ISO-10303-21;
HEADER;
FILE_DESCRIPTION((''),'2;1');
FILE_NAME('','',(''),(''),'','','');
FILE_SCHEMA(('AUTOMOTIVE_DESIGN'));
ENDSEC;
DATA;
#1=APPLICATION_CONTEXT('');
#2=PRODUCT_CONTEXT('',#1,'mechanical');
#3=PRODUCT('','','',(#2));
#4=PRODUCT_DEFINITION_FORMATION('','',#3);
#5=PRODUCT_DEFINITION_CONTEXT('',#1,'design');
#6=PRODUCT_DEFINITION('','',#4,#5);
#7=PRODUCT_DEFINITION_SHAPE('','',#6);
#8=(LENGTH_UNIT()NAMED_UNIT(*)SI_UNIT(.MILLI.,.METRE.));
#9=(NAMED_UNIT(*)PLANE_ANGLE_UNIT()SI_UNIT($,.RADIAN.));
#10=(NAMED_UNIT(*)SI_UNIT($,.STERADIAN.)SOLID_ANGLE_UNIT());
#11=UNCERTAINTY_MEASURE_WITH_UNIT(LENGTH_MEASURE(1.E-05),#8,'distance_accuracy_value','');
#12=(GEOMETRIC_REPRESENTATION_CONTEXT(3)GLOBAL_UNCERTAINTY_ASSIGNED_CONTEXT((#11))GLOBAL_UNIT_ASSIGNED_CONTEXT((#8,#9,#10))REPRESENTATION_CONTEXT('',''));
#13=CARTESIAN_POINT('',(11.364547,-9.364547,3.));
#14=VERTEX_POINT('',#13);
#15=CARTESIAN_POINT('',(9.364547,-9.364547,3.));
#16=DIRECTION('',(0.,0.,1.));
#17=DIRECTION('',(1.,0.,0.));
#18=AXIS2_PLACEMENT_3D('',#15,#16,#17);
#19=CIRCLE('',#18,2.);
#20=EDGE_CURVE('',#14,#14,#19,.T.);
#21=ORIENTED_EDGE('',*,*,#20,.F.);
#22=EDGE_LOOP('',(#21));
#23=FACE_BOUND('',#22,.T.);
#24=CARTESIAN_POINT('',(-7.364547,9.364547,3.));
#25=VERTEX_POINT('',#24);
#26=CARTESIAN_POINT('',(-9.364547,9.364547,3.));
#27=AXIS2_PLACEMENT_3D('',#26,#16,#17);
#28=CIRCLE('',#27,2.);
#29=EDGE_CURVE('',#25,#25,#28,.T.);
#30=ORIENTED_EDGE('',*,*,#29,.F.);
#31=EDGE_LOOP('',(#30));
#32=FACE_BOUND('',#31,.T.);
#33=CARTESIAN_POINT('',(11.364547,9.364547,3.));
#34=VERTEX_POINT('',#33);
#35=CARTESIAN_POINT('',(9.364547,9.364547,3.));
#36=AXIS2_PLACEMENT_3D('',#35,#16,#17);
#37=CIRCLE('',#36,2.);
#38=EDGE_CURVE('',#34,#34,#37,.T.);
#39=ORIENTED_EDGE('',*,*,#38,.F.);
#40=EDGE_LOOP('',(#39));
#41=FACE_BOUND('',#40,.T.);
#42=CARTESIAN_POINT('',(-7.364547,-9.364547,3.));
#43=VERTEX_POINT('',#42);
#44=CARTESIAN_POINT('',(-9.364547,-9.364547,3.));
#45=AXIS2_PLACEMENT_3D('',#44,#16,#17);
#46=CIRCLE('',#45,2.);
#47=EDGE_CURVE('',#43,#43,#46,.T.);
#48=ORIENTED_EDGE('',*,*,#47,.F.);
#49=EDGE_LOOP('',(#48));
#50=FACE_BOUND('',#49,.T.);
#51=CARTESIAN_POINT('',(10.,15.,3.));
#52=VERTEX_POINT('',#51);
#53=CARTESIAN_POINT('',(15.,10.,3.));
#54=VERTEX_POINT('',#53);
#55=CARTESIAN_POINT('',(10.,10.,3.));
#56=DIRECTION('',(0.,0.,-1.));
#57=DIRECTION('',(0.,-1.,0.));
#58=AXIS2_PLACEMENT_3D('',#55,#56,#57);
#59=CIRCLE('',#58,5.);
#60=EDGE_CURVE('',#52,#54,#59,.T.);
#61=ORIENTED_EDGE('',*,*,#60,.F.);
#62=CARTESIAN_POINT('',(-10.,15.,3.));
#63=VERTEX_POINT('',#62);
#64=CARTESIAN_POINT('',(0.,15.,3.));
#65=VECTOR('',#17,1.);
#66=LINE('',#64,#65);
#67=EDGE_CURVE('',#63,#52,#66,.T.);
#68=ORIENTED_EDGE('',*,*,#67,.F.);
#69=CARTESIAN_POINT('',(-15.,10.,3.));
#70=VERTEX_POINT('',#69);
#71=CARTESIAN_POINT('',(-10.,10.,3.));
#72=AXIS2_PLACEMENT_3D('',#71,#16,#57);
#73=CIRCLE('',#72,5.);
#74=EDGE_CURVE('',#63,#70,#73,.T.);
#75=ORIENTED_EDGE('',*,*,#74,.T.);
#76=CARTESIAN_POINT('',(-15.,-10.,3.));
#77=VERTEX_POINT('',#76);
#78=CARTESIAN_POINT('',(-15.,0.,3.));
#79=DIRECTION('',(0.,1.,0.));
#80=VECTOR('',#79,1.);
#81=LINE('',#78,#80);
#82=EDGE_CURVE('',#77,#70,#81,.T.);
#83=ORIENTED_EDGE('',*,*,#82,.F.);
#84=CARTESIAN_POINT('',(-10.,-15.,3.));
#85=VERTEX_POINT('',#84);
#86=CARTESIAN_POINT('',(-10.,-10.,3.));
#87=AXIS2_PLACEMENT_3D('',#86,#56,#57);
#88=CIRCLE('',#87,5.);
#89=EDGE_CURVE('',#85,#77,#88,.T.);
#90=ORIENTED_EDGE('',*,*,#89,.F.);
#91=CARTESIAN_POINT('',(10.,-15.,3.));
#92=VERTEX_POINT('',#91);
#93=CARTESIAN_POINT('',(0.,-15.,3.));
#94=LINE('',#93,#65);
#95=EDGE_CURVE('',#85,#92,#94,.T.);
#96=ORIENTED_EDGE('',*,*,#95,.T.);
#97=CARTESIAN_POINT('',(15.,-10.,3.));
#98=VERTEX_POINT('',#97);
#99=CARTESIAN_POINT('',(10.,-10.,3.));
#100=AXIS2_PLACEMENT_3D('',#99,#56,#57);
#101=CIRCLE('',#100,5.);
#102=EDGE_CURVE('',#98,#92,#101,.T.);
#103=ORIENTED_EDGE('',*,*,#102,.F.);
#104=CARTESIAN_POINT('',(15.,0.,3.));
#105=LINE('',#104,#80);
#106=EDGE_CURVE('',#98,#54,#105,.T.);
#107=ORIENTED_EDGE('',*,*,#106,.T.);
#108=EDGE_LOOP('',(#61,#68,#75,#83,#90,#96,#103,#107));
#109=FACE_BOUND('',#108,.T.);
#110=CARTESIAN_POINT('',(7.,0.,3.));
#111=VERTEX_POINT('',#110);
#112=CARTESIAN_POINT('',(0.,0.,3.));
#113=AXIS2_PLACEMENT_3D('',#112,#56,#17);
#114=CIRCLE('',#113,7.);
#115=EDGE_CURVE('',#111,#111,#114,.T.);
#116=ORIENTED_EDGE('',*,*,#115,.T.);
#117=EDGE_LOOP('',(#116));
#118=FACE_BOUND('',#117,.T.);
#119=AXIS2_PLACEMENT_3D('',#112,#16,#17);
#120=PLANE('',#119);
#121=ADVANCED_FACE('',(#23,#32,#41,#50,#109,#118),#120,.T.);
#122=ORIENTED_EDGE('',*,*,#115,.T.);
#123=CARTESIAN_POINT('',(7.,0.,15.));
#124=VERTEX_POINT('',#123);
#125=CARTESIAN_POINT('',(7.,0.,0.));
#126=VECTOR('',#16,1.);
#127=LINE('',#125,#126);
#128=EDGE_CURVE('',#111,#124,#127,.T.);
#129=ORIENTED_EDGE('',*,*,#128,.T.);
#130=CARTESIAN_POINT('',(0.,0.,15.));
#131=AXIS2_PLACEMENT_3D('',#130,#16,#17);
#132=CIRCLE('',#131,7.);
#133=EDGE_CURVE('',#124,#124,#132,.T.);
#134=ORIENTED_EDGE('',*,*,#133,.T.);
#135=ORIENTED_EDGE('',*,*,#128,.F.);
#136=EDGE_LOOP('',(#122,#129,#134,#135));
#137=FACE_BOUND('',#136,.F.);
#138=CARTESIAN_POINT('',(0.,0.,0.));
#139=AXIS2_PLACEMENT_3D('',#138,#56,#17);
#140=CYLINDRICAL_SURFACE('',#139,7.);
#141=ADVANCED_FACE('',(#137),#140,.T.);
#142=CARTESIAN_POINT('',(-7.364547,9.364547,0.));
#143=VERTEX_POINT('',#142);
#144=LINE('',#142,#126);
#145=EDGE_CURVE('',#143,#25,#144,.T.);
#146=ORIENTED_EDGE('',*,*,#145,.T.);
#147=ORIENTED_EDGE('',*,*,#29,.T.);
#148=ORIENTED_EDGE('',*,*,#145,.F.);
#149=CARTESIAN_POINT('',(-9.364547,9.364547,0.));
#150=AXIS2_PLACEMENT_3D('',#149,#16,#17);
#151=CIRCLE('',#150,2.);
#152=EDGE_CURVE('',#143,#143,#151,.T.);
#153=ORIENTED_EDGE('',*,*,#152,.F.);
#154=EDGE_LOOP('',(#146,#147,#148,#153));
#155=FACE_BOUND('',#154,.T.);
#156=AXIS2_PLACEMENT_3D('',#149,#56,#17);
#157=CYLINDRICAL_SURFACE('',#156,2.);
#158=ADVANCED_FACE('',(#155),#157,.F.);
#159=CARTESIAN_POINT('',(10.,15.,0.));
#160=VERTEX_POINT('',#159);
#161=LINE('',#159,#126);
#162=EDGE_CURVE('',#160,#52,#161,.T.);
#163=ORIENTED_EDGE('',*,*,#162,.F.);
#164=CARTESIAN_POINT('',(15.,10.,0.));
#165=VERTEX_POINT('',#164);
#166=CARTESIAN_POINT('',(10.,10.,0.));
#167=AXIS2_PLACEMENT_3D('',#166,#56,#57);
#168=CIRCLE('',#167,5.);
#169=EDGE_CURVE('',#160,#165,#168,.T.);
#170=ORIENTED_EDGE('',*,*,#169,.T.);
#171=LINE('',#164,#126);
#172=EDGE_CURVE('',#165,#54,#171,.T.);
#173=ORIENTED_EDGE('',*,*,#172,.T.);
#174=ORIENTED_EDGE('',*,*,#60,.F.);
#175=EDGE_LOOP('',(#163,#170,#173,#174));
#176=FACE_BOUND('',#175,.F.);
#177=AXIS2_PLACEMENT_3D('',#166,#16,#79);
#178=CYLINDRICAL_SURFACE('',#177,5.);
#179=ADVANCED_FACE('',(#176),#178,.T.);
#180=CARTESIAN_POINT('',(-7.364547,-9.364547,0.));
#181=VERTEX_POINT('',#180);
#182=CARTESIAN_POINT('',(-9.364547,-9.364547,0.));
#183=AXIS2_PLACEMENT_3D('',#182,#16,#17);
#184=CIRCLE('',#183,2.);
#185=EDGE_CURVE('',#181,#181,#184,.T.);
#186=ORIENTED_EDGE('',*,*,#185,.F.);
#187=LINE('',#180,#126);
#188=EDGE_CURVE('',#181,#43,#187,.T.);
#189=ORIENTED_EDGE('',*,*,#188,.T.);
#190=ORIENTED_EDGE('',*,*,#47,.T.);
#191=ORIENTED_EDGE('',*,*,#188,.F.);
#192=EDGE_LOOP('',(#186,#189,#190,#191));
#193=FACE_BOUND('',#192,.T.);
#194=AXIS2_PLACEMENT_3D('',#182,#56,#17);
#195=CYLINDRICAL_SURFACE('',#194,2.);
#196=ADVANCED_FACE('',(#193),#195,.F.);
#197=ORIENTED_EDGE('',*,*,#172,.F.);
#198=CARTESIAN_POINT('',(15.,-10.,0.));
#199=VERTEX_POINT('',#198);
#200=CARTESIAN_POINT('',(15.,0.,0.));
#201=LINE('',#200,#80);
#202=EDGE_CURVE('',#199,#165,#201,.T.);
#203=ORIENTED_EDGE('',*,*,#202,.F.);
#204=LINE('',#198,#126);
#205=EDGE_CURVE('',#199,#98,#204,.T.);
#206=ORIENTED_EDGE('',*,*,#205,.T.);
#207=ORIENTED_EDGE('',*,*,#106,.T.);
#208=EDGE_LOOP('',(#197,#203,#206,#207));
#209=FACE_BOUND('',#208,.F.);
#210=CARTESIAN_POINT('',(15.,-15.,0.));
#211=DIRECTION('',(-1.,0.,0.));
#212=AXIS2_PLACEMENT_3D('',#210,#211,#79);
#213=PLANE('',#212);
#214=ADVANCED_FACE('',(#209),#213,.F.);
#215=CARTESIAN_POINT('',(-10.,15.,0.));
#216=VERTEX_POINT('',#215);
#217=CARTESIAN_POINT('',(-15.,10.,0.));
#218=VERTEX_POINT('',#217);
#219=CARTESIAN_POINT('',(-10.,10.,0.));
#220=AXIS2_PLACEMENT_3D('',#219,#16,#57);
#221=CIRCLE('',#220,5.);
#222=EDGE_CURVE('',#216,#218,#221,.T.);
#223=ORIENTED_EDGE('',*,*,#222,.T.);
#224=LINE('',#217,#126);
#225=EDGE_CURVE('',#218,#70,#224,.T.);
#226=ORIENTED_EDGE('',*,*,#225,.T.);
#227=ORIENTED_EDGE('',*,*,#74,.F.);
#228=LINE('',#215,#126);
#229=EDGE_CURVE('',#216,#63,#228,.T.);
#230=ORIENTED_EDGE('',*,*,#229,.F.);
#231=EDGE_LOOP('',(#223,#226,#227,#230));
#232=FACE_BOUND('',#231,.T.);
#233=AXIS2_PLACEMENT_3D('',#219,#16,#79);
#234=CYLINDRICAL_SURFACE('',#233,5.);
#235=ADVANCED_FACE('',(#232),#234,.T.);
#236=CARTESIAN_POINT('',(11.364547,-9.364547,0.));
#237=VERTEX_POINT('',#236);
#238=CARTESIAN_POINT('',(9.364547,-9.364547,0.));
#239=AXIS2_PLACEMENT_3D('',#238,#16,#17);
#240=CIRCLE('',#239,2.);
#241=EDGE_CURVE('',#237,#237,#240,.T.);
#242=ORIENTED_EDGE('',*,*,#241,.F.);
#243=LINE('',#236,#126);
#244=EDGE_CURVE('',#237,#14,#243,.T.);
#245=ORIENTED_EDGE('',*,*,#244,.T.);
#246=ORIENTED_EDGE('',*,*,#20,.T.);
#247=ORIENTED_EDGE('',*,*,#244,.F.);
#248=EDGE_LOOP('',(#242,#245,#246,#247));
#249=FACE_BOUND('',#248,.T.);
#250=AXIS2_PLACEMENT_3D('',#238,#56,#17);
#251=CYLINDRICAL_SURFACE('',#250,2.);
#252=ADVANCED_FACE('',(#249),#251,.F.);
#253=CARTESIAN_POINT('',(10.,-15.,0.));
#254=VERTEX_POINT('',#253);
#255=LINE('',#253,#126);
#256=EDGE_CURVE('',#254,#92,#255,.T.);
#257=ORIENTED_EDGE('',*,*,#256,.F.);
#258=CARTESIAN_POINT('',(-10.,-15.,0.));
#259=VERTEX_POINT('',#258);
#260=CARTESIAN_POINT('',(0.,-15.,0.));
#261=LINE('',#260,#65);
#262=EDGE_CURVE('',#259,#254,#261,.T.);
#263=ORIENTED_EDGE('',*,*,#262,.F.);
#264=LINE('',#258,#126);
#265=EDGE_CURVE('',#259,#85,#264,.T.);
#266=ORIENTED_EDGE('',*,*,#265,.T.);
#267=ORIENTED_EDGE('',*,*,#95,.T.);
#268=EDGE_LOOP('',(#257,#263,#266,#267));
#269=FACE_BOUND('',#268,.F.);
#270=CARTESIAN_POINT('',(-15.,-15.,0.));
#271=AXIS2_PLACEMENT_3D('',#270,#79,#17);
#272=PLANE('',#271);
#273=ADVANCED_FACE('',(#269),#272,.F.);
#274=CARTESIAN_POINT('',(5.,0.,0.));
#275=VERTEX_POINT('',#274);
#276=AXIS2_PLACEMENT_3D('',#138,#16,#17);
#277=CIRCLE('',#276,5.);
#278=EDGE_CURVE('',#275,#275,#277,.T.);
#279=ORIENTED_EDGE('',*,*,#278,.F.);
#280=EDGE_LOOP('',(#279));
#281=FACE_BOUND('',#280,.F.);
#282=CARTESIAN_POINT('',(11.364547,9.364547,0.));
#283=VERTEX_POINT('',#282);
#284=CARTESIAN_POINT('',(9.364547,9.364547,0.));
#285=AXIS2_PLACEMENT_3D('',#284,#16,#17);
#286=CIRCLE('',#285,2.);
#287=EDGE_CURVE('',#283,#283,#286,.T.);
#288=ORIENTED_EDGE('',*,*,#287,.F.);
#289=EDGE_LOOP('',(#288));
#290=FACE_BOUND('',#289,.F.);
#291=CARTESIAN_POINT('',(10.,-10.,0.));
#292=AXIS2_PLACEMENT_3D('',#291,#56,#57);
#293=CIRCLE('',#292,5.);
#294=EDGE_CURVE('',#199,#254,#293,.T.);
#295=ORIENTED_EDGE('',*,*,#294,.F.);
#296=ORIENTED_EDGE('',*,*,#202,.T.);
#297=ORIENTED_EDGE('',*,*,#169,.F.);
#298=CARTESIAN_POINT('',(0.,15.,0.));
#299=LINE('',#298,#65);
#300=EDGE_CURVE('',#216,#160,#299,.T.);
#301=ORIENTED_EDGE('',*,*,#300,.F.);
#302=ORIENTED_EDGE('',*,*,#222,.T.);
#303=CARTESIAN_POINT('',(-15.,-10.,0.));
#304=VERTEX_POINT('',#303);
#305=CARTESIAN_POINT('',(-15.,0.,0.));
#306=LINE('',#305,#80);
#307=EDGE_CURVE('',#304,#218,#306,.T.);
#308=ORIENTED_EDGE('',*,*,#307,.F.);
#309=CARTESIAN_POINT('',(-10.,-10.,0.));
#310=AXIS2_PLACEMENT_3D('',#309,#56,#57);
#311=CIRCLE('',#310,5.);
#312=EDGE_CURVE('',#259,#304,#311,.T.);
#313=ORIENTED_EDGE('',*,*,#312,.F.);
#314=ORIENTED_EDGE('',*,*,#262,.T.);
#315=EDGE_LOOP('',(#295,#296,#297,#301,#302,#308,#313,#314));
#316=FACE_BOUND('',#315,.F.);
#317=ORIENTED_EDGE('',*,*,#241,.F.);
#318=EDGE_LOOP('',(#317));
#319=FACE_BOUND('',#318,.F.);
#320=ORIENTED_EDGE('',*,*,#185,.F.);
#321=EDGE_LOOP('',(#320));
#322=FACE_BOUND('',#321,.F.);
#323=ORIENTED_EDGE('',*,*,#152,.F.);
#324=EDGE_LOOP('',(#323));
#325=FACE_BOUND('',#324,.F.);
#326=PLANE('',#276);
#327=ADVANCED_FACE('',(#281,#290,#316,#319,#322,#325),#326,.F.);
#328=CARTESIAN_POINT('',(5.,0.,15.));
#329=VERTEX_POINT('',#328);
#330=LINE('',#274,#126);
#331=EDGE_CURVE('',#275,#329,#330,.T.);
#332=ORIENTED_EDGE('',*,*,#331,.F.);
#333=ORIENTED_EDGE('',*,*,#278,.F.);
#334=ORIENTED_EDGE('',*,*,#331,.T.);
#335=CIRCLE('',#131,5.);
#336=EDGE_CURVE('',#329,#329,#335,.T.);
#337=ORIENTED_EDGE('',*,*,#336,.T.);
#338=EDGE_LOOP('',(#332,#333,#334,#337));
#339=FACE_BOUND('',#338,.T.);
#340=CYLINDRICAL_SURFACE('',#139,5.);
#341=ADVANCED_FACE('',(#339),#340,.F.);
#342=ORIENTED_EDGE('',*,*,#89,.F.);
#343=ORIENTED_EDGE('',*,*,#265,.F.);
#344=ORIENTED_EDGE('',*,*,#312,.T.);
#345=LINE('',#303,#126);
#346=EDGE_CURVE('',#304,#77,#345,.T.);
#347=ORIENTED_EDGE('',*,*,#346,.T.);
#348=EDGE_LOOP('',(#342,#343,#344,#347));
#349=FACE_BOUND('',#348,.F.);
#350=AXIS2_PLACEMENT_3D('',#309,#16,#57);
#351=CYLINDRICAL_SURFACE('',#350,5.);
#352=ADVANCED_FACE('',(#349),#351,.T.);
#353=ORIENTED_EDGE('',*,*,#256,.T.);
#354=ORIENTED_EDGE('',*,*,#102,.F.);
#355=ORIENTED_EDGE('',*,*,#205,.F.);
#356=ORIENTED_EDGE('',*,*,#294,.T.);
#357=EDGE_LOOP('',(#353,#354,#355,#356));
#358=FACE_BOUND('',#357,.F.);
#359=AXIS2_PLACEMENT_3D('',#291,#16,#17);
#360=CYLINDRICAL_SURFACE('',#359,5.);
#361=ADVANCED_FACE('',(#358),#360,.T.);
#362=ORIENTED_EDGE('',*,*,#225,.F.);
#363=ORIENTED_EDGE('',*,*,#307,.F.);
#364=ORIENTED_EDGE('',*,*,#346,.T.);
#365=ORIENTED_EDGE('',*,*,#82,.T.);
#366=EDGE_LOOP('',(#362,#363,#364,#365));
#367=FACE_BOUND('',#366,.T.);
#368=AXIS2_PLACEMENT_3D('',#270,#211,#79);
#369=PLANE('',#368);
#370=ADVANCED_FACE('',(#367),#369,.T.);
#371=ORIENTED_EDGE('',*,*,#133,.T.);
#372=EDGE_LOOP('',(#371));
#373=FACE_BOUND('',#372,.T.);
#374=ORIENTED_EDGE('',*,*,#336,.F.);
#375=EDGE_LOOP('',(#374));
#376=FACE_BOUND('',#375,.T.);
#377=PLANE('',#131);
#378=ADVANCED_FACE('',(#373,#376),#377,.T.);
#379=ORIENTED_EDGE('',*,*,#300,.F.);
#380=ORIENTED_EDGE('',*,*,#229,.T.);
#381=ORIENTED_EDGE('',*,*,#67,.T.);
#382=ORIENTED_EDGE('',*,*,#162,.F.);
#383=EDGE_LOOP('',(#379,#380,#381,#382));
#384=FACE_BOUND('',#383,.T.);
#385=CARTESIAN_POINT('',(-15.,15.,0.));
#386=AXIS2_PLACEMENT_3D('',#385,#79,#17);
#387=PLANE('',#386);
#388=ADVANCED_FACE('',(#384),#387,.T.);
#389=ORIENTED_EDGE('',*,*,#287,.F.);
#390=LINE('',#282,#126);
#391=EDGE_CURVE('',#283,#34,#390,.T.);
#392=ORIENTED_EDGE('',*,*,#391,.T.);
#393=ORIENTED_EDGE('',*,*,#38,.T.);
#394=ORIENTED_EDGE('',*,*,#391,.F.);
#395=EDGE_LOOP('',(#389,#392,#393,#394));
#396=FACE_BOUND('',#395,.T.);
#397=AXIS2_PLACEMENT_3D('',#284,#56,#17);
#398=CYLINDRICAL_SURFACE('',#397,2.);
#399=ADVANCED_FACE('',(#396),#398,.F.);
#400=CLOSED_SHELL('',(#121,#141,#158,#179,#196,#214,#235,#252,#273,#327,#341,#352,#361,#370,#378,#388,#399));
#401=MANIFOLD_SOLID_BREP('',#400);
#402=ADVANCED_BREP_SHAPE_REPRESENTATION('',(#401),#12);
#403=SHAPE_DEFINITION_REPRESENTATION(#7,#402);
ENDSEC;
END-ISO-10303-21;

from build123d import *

# Parameters (mm, degrees)
F0_W     = 30
F0_H     = 30
F0_R     = 2
F0_R_2   = 7
F0_R_3   = 5
F1_DEPTH = 3
F2_DEPTH = 15
F3_R     = 5


with BuildPart() as f1:
    # F0 (on Top) → F1 (new body)
    with BuildSketch(Plane.XY):
        Rectangle(F0_W, F0_H)
        with Locations((-9.364547, -9.364547)):
            Circle(F0_R, mode=Mode.SUBTRACT)
        with Locations((9.364547, -9.364547)):
            Circle(F0_R, mode=Mode.SUBTRACT)
        with Locations((-9.364547, 9.364547)):
            Circle(F0_R, mode=Mode.SUBTRACT)
        Circle(F0_R_2, mode=Mode.SUBTRACT)
        with Locations((9.364547, 9.364547)):
            Circle(F0_R, mode=Mode.SUBTRACT)
        Circle(F0_R_2)
        Circle(F0_R_3, mode=Mode.SUBTRACT)
    extrude(amount=F1_DEPTH)

    # F0 (on Top) → F2 (join)
    with BuildSketch(Plane.XY):
        Circle(F0_R_2)
        Circle(F0_R_3, mode=Mode.SUBTRACT)
    extrude(amount=F2_DEPTH)

    # F3
    f3_edges = [f1.edges().sort_by_distance(p)[0] for p in [
        (-15, 15, 1.5),
        (15, 15, 1.5),
        (-15, -15, 1.5),
        (15, -15, 1.5),
    ]]
    fillet(f3_edges, radius=F3_R)


solid = f1.part
